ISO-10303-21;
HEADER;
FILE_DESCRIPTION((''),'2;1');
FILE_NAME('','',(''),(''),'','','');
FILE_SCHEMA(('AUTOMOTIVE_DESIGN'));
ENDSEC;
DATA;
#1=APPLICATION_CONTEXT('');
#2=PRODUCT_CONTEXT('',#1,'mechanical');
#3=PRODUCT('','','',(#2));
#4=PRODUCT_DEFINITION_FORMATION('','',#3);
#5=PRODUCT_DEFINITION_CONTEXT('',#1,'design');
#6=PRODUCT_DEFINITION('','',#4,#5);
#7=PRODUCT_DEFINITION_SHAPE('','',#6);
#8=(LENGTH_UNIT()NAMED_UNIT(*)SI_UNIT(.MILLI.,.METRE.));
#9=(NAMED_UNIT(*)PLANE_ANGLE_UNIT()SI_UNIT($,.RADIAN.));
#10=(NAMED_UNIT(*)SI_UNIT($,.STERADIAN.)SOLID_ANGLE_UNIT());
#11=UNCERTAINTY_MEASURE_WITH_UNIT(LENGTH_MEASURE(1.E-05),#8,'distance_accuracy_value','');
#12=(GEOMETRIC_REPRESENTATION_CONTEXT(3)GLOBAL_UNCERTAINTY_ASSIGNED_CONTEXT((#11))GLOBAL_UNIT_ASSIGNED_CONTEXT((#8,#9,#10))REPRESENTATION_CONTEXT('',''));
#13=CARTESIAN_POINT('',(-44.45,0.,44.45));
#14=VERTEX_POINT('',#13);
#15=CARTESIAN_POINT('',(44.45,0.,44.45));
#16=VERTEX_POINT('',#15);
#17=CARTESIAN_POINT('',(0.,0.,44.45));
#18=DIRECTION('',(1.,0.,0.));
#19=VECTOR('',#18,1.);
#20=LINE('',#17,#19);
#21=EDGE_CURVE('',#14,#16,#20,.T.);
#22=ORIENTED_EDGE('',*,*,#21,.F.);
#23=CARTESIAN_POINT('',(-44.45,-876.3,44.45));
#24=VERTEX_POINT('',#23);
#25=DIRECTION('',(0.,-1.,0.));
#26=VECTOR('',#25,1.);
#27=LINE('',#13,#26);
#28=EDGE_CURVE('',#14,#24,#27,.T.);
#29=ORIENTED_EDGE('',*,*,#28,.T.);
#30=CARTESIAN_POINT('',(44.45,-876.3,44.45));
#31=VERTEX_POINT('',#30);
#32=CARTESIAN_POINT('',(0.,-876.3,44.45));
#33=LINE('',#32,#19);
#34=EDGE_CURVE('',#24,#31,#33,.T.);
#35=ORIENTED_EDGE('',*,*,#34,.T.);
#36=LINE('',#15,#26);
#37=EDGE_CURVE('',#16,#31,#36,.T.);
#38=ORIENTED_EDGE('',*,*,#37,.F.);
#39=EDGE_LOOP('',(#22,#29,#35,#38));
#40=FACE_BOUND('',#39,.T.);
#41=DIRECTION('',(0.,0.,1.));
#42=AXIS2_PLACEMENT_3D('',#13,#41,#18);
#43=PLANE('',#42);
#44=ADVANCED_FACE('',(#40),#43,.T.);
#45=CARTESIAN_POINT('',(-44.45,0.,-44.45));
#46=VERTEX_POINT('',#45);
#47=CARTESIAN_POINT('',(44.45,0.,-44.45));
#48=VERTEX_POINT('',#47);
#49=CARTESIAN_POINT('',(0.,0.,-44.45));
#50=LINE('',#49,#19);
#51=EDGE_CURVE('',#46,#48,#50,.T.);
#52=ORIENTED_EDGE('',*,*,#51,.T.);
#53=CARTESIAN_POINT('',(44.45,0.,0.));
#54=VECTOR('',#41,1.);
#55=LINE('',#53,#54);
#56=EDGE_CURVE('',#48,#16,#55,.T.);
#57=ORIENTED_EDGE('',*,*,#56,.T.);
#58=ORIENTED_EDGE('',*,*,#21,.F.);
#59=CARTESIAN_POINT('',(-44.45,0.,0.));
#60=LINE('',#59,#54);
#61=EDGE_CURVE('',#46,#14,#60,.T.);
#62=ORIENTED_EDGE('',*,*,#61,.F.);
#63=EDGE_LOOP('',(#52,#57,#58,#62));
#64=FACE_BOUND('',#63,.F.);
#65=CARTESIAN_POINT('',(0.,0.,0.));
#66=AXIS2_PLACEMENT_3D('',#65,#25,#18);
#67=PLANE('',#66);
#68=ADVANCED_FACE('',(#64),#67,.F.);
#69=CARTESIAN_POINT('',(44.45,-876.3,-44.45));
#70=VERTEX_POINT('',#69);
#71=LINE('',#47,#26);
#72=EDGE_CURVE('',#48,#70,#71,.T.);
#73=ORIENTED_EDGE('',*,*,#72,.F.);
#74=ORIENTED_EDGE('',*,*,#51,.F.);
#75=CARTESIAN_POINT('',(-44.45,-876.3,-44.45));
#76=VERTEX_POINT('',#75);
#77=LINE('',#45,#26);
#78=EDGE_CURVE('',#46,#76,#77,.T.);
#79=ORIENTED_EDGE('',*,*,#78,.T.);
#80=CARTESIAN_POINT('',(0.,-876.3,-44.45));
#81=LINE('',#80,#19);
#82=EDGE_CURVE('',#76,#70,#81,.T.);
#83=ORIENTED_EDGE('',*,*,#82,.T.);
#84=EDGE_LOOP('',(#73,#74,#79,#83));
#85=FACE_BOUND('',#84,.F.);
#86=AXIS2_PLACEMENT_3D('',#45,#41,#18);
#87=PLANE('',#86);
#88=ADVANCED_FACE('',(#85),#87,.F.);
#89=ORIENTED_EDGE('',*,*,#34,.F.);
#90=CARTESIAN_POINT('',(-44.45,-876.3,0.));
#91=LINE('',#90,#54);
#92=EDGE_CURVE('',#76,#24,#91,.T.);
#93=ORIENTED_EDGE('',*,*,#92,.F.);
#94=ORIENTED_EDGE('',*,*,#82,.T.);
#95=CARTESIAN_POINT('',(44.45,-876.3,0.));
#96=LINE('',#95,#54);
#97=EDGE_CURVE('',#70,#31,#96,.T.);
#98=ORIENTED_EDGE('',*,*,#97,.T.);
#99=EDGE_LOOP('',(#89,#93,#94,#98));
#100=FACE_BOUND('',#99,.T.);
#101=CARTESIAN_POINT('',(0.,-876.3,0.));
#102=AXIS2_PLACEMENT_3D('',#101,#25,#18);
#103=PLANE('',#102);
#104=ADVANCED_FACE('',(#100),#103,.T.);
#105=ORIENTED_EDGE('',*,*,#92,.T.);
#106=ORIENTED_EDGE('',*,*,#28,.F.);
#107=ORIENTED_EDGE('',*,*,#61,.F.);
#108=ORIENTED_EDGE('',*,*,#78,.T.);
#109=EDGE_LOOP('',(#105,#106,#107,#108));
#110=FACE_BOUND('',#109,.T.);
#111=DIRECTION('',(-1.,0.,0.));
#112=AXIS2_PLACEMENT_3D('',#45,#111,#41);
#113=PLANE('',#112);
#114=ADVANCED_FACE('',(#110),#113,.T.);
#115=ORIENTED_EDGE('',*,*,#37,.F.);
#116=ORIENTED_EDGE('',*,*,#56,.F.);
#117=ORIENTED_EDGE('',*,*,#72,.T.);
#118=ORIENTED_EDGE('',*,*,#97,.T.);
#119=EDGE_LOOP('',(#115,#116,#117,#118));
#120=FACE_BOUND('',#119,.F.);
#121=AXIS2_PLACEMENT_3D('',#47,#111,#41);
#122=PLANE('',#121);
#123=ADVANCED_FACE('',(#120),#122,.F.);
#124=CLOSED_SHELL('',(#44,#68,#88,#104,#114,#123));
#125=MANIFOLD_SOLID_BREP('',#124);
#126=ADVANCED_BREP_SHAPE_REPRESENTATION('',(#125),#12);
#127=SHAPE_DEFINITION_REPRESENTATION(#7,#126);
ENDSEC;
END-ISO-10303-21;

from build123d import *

# Parameters (mm, degrees)
F0_W     = 88.9
F0_H     = 88.9
F1_DEPTH = 876.3


with BuildPart() as f1:
    # F0 (on Front) → F1 (new body)
    with BuildSketch(Plane.XZ):
        Rectangle(F0_W, F0_H)
    extrude(amount=F1_DEPTH)


solid = f1.part
